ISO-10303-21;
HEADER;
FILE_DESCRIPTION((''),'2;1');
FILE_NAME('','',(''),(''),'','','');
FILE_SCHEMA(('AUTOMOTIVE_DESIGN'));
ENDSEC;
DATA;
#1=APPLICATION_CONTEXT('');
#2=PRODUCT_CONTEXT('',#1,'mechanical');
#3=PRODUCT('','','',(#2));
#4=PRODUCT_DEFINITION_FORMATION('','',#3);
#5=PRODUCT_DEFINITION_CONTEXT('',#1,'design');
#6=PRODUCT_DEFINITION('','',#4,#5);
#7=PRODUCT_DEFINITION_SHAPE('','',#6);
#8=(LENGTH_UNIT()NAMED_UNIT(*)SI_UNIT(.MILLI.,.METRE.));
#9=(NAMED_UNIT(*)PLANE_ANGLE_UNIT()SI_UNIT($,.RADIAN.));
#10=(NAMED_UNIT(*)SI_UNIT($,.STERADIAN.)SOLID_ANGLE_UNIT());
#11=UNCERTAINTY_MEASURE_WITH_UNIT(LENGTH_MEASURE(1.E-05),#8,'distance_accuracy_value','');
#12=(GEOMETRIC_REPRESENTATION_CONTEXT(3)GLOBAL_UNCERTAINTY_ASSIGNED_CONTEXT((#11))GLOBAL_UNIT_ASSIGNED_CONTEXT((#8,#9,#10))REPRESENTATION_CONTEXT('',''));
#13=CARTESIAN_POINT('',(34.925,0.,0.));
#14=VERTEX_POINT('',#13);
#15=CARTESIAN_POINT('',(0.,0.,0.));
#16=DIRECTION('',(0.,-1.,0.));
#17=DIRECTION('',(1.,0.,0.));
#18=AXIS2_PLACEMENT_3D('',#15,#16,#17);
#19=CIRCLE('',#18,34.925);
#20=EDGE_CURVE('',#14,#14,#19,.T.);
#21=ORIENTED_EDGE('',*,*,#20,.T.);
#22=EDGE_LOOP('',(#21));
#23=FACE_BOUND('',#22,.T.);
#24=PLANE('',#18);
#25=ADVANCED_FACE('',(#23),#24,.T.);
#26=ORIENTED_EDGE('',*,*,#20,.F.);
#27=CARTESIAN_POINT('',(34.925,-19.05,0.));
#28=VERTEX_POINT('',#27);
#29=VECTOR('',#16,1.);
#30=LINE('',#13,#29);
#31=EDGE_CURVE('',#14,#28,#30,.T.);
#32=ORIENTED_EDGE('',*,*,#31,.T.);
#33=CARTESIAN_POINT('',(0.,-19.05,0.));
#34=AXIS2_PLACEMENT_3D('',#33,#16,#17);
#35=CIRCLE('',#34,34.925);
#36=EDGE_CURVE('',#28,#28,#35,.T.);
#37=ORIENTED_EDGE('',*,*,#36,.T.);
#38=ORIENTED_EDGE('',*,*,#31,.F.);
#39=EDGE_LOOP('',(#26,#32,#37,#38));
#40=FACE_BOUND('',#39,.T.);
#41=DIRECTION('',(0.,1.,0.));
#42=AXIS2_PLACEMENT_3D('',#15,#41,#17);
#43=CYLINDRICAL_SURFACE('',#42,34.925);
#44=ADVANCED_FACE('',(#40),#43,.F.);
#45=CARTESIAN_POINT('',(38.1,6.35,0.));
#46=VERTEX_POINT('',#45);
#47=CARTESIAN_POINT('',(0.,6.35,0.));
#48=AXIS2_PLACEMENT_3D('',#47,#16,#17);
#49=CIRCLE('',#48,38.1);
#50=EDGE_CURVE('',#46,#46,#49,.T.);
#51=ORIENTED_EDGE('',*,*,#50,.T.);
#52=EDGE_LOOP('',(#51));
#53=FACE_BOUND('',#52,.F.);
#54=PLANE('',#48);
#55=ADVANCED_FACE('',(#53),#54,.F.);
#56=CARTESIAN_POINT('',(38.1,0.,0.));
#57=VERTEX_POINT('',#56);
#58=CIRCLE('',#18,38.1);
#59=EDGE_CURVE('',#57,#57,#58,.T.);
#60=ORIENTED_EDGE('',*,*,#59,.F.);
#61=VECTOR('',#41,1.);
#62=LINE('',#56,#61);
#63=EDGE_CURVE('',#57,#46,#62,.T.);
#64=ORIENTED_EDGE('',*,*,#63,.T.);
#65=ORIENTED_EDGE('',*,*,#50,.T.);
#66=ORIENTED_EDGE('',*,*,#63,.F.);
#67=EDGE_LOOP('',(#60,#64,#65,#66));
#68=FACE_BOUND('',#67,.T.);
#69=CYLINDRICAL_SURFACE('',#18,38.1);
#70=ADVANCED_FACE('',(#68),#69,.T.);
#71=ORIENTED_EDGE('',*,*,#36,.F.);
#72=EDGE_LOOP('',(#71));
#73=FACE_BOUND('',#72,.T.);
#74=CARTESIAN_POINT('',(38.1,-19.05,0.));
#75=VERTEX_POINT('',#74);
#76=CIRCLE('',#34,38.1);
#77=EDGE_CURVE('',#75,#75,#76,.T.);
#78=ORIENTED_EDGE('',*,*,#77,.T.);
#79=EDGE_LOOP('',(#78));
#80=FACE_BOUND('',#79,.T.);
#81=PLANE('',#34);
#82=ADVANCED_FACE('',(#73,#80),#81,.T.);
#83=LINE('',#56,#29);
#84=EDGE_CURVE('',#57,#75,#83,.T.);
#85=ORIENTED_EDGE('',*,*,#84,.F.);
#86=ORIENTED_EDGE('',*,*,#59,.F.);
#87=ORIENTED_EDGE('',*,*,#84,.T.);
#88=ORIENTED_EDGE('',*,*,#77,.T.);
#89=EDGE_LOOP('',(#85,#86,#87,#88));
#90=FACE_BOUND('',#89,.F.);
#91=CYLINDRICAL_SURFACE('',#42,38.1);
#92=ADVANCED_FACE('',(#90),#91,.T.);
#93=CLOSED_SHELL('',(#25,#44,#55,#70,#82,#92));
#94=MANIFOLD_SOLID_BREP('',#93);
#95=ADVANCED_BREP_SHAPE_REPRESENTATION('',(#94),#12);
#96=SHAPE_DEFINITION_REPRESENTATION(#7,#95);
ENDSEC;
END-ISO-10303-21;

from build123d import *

# Parameters (mm, degrees)
F0_R     = 38.1
F1_DEPTH = 6.35
F2_R     = 38.1
F2_R_2   = 34.925
F4_DEPTH = 19.05


with BuildPart() as f1:
    # F0 (on Front) → F1 (new body)
    with BuildSketch(Plane.XZ):
        Circle(F0_R)
    extrude(amount=-F1_DEPTH)

    # F2 (on face) → F4 (join)
    with BuildSketch(Plane.XZ):
        Circle(F2_R)
        Circle(F2_R_2, mode=Mode.SUBTRACT)
    extrude(amount=F4_DEPTH)


solid = f1.part
